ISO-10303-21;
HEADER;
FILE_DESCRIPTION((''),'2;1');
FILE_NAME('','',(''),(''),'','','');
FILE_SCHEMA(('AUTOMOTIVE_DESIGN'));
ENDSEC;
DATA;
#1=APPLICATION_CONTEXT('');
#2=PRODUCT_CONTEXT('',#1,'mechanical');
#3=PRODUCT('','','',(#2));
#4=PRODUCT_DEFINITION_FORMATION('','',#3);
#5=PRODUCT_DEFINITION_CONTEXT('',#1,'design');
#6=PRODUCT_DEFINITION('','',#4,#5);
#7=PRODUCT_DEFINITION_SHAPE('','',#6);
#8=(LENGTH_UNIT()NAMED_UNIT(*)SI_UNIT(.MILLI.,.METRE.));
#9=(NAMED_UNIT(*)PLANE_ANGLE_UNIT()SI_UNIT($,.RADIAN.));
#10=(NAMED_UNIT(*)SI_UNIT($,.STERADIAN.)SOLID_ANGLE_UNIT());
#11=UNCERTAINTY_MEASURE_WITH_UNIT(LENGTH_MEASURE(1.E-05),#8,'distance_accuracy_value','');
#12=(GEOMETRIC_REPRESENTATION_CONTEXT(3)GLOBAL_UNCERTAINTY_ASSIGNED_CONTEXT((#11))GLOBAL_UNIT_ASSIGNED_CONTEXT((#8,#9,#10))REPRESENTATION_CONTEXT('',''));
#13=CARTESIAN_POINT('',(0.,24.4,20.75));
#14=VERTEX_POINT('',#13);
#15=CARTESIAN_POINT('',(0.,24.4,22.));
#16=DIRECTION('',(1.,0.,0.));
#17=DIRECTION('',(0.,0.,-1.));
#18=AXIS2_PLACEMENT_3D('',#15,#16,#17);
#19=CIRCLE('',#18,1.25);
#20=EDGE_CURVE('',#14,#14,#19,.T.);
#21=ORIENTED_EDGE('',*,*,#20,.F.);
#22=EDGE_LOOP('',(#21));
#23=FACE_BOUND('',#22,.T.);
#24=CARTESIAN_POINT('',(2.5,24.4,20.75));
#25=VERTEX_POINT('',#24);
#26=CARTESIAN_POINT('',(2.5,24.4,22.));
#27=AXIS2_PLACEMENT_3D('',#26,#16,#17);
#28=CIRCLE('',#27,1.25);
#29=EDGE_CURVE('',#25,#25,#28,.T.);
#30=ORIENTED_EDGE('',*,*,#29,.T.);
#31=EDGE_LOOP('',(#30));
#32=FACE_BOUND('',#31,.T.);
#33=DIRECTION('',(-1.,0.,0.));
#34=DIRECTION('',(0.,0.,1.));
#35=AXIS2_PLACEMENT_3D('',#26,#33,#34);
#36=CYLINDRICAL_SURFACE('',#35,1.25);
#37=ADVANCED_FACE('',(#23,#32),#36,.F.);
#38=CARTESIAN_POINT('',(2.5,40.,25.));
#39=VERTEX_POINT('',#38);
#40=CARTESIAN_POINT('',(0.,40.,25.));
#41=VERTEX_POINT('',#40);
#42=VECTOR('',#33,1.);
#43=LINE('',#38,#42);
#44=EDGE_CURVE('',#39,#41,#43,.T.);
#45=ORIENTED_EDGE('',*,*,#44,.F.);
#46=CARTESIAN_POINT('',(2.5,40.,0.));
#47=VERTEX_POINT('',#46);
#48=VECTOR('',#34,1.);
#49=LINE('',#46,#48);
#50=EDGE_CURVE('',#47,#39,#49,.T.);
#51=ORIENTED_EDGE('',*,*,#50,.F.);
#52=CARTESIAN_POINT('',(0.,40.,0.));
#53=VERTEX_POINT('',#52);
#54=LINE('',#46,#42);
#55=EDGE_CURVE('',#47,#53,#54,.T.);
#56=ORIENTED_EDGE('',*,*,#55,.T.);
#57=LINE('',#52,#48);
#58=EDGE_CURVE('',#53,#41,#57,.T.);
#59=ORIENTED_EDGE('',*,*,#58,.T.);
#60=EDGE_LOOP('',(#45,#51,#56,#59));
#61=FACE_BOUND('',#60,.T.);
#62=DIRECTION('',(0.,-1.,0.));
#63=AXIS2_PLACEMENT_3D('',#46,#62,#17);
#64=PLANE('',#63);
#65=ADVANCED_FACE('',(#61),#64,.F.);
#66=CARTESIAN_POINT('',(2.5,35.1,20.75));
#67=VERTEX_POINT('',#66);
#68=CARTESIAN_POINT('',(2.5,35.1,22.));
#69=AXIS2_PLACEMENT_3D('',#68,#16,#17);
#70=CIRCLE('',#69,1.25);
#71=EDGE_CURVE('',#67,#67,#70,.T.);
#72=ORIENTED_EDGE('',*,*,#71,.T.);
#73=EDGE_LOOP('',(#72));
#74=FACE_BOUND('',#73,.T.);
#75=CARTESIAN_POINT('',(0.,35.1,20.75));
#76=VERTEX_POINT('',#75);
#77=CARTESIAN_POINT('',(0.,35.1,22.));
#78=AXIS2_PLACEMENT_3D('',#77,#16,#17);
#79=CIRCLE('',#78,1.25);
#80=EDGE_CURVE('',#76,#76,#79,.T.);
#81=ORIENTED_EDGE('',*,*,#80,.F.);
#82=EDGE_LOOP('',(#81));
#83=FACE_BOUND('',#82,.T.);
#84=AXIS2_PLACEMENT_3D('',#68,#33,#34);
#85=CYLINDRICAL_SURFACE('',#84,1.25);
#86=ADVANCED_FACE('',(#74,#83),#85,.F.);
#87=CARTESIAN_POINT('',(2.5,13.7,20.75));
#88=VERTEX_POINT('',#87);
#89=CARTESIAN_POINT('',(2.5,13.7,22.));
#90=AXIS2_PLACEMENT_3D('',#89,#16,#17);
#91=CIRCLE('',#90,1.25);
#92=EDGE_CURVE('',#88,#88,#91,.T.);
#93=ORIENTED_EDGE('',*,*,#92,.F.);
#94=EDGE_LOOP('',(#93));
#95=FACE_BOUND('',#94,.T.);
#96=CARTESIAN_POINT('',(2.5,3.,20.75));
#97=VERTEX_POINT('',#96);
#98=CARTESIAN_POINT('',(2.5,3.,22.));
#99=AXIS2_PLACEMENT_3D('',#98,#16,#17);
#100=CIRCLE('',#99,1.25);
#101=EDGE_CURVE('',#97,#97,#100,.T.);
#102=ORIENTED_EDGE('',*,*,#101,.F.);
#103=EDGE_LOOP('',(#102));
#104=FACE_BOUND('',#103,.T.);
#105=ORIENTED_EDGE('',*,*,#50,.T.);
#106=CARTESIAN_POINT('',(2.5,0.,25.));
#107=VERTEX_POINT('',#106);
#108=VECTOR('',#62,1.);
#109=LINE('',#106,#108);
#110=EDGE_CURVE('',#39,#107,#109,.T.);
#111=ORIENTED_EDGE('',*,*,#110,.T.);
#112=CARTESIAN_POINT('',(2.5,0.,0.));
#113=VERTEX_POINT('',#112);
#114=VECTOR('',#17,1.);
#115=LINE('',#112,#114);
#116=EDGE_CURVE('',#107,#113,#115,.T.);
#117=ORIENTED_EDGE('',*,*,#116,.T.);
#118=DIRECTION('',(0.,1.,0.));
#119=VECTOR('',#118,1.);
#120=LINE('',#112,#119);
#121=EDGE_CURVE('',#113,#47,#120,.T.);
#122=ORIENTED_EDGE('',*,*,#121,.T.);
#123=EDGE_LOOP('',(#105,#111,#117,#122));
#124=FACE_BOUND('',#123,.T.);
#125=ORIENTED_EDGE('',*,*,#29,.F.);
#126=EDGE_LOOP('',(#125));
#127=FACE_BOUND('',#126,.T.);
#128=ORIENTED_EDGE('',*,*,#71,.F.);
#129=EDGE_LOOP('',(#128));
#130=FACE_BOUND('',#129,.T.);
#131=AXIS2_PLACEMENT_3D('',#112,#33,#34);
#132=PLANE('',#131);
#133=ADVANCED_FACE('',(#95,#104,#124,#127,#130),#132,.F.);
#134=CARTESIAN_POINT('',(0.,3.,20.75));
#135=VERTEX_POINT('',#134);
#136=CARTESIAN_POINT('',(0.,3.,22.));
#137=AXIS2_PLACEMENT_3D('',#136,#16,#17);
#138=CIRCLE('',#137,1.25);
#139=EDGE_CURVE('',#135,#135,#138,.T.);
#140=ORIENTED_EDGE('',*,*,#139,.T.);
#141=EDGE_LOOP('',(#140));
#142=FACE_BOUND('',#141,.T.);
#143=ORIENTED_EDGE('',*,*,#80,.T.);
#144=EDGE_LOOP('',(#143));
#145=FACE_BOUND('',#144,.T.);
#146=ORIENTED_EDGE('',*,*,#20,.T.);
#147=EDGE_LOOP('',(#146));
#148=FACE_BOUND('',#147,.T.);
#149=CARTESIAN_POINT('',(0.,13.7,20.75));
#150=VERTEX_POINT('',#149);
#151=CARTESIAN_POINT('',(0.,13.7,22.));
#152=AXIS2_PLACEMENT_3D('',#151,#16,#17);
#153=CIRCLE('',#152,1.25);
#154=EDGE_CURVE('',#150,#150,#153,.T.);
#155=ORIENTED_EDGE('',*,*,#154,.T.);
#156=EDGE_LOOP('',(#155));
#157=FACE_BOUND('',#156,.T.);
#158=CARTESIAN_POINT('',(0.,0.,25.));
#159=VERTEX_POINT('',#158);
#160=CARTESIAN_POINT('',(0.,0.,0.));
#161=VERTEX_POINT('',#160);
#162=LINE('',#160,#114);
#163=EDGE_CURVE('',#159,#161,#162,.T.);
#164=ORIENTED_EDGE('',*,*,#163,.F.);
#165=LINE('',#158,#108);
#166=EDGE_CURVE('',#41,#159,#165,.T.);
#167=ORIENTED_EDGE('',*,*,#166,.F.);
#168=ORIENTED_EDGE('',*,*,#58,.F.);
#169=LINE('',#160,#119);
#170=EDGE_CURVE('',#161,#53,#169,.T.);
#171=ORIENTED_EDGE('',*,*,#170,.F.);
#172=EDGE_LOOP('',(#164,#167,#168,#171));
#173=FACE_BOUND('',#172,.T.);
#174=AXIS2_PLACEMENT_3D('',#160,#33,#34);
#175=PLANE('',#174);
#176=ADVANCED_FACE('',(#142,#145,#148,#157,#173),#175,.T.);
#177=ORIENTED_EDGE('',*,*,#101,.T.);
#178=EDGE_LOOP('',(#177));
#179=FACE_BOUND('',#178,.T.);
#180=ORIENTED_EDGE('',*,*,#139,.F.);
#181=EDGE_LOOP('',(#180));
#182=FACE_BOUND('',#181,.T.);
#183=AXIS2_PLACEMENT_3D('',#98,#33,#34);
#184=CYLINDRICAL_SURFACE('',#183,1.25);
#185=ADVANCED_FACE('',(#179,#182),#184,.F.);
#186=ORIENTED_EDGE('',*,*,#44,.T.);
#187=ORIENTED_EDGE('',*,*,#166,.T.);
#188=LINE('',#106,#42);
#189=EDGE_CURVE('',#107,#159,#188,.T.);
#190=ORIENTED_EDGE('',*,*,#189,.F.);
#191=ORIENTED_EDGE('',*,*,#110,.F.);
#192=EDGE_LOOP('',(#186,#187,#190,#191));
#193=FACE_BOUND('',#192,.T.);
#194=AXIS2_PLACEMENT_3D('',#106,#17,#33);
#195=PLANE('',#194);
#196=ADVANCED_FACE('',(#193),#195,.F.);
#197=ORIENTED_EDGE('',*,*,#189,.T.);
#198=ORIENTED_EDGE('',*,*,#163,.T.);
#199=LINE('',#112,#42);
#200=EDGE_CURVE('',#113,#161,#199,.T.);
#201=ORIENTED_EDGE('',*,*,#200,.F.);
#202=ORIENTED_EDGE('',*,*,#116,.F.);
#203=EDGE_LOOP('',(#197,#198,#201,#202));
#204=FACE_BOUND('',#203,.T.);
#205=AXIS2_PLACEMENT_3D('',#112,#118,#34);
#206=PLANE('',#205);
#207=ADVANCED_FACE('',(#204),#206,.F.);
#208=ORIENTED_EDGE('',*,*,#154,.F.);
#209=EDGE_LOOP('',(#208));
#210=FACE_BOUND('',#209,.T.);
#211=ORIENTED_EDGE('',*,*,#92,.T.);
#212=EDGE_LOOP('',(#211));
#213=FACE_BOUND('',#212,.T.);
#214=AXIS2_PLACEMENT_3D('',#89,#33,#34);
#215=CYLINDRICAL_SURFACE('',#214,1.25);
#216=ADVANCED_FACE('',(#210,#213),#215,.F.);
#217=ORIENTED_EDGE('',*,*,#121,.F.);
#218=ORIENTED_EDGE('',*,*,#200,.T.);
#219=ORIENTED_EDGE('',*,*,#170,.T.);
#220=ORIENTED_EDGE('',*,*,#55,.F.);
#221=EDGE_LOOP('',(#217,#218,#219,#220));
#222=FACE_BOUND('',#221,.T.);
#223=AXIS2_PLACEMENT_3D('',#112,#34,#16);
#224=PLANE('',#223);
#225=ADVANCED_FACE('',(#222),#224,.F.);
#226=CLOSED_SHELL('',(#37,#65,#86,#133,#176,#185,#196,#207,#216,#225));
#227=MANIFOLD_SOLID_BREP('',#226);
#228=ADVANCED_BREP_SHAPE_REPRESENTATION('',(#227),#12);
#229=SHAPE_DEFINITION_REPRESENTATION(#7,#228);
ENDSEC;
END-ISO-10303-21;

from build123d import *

# Parameters (mm, degrees)
IZIM1_W                     = 40
IZIM1_H                     = 25
IZIM1_R                     = 1.25
Y_KSEKLIK_EKSTR_ZYON1_DEPTH = 2.5


with BuildPart() as part:
    # Çizim1 → Yükseklik-Ekstrüzyon1 (new body)
    with BuildSketch(Plane.YZ):
        with Locations((20, 12.5)):
            Rectangle(IZIM1_W, IZIM1_H)
        with Locations(Location((3, 22, 0), (0, 0, 270))):
            Circle(IZIM1_R, mode=Mode.SUBTRACT)
        with Locations(Location((13.7, 22, 0), (0, 0, 270))):
            Circle(IZIM1_R, mode=Mode.SUBTRACT)
        with Locations(Location((24.4, 22, 0), (0, 0, 270))):
            Circle(IZIM1_R, mode=Mode.SUBTRACT)
        with Locations(Location((35.1, 22, 0), (0, 0, 270))):
            Circle(IZIM1_R, mode=Mode.SUBTRACT)
    extrude(amount=Y_KSEKLIK_EKSTR_ZYON1_DEPTH)


solid = part.part
